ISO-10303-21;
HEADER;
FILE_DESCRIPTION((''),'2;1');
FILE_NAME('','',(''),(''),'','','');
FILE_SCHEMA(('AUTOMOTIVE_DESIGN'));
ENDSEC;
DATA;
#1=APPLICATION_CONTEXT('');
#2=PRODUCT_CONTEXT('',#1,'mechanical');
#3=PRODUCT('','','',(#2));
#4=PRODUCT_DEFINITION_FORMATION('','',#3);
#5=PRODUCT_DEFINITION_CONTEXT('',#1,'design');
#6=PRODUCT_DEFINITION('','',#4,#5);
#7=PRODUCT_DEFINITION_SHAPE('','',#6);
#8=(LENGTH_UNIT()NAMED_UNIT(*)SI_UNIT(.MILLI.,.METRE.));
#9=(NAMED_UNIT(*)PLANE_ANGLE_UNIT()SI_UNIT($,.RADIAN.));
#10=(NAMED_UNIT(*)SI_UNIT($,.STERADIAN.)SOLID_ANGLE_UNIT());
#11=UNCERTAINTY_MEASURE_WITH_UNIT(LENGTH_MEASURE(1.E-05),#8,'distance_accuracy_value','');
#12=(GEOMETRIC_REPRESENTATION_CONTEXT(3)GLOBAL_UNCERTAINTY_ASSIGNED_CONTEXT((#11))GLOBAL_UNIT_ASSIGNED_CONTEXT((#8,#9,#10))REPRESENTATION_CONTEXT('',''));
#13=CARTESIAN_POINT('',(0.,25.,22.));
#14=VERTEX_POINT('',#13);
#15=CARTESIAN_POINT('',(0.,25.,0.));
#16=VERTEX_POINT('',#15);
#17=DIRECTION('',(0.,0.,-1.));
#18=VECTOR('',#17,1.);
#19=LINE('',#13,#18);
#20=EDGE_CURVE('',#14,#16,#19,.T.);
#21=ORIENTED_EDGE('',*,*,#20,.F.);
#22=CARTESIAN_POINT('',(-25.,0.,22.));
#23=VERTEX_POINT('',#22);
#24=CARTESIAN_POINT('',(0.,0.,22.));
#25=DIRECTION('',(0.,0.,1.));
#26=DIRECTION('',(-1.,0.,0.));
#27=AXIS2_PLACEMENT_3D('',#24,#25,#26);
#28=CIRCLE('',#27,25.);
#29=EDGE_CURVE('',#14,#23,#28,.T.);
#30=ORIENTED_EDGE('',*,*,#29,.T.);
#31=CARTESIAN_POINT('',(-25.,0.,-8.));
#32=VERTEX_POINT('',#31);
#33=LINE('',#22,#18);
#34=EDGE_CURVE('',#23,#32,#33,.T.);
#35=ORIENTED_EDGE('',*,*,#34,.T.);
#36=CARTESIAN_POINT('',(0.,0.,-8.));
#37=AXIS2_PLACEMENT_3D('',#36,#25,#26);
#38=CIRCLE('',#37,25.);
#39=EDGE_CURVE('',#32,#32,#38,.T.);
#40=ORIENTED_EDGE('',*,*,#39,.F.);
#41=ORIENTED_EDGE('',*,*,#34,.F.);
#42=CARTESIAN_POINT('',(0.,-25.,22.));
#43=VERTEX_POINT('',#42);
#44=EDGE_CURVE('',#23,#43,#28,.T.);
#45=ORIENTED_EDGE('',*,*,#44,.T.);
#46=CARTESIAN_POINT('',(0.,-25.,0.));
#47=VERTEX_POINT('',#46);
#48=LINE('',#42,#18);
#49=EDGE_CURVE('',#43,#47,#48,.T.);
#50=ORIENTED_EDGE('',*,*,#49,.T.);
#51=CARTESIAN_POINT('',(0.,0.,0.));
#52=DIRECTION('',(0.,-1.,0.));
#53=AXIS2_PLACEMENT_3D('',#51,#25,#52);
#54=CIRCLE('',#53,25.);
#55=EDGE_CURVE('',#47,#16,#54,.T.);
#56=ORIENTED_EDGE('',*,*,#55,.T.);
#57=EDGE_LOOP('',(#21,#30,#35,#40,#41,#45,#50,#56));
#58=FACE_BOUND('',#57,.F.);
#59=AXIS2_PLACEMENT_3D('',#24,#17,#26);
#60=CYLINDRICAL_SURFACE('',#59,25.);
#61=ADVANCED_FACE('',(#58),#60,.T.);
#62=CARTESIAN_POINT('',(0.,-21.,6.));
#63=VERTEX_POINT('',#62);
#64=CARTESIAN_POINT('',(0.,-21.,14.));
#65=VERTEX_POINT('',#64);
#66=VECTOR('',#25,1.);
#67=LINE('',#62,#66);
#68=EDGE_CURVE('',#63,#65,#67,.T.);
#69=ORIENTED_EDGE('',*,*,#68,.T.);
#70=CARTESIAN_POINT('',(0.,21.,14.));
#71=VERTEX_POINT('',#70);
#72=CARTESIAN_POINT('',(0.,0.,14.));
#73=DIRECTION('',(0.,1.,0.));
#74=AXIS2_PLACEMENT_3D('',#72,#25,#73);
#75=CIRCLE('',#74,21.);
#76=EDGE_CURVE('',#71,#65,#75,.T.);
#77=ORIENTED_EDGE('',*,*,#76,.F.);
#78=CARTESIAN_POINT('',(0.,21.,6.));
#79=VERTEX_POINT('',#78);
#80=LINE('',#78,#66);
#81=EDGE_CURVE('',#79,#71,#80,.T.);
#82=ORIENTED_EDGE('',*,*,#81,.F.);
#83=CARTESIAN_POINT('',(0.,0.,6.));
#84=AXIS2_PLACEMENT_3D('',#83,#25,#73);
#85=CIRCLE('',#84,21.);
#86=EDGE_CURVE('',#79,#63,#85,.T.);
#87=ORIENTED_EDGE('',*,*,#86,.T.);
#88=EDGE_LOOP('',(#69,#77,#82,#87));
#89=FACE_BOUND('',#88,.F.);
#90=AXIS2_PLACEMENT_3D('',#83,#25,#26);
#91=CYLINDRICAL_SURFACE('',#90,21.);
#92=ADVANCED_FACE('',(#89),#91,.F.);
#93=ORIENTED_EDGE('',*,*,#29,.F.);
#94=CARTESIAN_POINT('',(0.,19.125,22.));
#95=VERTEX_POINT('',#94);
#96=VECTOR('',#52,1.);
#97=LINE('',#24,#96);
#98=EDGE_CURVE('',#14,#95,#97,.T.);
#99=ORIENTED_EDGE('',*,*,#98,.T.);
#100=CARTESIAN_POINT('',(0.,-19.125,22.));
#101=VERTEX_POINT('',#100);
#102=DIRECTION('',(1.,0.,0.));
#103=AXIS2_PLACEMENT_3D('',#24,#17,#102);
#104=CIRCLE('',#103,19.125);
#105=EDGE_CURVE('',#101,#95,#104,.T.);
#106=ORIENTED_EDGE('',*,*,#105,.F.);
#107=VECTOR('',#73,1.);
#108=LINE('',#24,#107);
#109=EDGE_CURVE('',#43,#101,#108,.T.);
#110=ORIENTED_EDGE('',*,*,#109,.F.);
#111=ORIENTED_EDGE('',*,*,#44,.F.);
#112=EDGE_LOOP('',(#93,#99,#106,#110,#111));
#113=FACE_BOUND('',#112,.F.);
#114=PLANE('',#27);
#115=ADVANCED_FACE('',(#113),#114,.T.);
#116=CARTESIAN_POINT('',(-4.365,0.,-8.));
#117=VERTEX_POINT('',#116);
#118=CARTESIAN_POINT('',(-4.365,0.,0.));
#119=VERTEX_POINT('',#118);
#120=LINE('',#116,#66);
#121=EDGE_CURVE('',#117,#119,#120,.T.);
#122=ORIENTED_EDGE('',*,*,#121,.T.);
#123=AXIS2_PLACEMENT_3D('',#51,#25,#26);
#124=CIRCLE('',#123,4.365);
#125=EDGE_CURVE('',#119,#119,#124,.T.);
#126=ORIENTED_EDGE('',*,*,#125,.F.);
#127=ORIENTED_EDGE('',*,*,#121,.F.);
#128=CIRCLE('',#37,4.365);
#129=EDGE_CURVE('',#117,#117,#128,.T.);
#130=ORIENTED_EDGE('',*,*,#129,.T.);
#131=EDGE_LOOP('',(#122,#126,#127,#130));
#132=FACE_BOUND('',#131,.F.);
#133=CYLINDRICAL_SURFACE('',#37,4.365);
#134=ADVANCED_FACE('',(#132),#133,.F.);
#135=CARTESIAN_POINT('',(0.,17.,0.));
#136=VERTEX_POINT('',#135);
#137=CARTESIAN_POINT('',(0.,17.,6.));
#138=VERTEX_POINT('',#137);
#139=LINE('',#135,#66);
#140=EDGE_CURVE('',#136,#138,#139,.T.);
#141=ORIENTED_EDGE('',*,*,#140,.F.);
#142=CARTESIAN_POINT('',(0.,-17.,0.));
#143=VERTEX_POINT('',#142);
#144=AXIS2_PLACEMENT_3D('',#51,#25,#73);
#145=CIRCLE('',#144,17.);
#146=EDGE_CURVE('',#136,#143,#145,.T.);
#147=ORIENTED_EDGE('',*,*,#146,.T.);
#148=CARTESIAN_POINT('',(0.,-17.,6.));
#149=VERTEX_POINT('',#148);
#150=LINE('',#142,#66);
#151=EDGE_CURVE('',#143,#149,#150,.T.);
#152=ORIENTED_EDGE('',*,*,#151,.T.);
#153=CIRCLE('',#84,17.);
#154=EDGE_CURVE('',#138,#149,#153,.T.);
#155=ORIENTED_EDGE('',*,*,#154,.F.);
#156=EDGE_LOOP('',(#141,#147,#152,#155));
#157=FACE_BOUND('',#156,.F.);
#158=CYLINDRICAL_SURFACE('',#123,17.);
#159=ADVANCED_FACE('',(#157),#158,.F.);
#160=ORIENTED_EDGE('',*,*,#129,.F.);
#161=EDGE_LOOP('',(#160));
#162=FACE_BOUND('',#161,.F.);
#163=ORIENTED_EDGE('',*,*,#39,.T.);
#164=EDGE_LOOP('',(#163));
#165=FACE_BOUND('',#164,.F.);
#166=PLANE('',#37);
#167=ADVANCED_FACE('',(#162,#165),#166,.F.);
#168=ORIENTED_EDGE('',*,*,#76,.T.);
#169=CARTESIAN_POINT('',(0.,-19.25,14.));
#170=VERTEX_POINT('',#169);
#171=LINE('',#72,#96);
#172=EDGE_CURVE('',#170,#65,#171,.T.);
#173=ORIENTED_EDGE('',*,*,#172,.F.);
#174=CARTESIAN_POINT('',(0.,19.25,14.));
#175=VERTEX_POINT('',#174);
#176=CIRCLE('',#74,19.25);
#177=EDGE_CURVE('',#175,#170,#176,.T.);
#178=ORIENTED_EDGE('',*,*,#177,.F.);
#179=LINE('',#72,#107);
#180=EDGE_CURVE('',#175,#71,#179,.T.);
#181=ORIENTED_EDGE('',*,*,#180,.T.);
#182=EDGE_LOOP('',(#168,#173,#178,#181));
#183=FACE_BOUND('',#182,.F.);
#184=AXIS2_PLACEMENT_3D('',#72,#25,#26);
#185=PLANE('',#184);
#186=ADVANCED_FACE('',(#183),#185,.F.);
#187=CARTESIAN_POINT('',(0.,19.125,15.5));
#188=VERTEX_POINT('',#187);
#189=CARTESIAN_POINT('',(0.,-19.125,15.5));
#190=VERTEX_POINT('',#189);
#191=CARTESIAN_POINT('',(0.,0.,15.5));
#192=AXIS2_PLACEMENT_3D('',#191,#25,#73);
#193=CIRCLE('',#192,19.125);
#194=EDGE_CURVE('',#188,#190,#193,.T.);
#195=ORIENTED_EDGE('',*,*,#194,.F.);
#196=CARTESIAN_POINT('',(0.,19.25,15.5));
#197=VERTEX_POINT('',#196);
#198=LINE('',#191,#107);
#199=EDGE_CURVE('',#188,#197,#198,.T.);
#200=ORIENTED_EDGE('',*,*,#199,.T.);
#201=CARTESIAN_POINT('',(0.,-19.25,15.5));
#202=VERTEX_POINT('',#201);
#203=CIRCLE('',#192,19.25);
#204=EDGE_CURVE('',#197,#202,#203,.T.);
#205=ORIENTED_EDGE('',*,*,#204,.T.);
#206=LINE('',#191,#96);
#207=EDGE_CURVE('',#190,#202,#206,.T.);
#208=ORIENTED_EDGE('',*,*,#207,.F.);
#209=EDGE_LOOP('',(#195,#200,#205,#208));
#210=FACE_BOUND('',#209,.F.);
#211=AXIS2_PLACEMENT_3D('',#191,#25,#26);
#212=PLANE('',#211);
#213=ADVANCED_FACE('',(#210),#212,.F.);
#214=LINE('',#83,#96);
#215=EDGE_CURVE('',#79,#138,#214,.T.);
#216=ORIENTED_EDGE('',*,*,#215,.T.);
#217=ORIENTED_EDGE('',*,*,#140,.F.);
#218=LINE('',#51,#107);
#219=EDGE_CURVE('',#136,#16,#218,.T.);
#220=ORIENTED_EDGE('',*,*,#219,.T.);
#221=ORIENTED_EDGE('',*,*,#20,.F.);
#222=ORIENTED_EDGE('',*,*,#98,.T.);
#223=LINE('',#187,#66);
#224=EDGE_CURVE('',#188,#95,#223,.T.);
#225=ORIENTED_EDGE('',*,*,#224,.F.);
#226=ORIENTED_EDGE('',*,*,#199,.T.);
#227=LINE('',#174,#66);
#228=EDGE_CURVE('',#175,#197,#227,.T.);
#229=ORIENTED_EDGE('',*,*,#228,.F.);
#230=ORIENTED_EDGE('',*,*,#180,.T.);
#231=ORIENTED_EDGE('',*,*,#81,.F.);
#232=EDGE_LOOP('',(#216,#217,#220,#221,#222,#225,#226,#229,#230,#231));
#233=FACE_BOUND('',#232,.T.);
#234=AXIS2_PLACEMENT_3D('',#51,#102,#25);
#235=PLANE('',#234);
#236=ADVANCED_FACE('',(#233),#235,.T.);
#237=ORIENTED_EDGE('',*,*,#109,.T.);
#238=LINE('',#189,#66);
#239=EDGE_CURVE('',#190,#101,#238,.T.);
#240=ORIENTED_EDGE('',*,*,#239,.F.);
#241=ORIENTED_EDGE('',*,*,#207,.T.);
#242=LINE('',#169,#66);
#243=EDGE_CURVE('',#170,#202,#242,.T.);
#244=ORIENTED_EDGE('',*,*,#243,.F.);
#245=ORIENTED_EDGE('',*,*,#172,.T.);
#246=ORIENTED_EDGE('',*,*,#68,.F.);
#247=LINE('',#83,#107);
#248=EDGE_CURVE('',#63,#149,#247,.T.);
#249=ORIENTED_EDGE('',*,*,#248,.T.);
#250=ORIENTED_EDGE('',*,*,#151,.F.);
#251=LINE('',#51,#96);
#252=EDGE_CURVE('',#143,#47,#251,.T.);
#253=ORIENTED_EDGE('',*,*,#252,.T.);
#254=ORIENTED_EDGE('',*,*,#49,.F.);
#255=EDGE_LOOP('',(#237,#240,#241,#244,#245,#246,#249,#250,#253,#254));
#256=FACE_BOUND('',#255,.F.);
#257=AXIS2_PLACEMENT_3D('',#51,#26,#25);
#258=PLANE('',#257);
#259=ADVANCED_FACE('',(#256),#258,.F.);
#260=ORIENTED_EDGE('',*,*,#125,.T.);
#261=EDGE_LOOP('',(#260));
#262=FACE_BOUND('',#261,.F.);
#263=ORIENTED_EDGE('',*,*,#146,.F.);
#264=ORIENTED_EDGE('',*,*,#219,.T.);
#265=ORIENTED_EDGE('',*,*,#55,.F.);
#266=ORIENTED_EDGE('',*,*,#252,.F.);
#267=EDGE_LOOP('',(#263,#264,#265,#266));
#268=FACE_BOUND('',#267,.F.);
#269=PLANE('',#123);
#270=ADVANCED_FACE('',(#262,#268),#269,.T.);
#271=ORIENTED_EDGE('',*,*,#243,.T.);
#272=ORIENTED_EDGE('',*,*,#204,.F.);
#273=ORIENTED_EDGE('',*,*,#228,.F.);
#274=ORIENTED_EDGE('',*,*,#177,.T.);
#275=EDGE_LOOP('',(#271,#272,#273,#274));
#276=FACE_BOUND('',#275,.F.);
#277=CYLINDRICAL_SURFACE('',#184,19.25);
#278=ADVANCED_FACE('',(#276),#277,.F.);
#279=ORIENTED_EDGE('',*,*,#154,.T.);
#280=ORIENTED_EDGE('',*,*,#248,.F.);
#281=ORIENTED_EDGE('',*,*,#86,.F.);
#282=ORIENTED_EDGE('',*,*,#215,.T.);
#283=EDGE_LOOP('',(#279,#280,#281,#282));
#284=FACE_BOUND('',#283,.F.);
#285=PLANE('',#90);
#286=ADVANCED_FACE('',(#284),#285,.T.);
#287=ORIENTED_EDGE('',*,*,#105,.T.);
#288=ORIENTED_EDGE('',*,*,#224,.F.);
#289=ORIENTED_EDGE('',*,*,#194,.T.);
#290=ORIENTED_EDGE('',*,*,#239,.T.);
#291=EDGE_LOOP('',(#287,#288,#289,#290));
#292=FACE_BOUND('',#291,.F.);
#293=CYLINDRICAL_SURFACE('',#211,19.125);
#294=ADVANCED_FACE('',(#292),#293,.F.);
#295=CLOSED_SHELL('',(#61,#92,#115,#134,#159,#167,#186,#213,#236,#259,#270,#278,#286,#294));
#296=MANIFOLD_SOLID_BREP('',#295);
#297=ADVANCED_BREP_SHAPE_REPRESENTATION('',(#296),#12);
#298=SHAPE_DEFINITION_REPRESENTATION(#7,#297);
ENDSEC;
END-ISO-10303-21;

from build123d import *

# Parameters (mm, degrees)
F2_W          = 30
F2_H          = 30
F3_DEPTH      = 25.001
F3_DEPTH_BACK = 25.001


with BuildPart() as f1:
    # F0 (on Front) → F1 (revolve)
    with BuildSketch(Plane.XZ):
        Polygon((-4.365, -8), (-4.365, 0), (-17, 0), (-17, 6), (-21, 6), (-21, 14), (-19.25, 14), (-19.25, 15.5), (-19.125, 15.5), (-19.125, 22), (-25, 22), (-25, -8), align=None)
    revolve(axis=Axis((0, 0, 33.5195691121), (0, 0, 1)))

    # F2 (on Front) → F3 (cut, two sides)
    with BuildSketch(Plane.XZ) as f3_sk:
        with Locations((15, 15)):
            Rectangle(F2_W, F2_H)
    extrude(amount=-F3_DEPTH, mode=Mode.SUBTRACT)
    extrude(f3_sk.sketch, amount=F3_DEPTH_BACK, mode=Mode.SUBTRACT)


solid = f1.part
